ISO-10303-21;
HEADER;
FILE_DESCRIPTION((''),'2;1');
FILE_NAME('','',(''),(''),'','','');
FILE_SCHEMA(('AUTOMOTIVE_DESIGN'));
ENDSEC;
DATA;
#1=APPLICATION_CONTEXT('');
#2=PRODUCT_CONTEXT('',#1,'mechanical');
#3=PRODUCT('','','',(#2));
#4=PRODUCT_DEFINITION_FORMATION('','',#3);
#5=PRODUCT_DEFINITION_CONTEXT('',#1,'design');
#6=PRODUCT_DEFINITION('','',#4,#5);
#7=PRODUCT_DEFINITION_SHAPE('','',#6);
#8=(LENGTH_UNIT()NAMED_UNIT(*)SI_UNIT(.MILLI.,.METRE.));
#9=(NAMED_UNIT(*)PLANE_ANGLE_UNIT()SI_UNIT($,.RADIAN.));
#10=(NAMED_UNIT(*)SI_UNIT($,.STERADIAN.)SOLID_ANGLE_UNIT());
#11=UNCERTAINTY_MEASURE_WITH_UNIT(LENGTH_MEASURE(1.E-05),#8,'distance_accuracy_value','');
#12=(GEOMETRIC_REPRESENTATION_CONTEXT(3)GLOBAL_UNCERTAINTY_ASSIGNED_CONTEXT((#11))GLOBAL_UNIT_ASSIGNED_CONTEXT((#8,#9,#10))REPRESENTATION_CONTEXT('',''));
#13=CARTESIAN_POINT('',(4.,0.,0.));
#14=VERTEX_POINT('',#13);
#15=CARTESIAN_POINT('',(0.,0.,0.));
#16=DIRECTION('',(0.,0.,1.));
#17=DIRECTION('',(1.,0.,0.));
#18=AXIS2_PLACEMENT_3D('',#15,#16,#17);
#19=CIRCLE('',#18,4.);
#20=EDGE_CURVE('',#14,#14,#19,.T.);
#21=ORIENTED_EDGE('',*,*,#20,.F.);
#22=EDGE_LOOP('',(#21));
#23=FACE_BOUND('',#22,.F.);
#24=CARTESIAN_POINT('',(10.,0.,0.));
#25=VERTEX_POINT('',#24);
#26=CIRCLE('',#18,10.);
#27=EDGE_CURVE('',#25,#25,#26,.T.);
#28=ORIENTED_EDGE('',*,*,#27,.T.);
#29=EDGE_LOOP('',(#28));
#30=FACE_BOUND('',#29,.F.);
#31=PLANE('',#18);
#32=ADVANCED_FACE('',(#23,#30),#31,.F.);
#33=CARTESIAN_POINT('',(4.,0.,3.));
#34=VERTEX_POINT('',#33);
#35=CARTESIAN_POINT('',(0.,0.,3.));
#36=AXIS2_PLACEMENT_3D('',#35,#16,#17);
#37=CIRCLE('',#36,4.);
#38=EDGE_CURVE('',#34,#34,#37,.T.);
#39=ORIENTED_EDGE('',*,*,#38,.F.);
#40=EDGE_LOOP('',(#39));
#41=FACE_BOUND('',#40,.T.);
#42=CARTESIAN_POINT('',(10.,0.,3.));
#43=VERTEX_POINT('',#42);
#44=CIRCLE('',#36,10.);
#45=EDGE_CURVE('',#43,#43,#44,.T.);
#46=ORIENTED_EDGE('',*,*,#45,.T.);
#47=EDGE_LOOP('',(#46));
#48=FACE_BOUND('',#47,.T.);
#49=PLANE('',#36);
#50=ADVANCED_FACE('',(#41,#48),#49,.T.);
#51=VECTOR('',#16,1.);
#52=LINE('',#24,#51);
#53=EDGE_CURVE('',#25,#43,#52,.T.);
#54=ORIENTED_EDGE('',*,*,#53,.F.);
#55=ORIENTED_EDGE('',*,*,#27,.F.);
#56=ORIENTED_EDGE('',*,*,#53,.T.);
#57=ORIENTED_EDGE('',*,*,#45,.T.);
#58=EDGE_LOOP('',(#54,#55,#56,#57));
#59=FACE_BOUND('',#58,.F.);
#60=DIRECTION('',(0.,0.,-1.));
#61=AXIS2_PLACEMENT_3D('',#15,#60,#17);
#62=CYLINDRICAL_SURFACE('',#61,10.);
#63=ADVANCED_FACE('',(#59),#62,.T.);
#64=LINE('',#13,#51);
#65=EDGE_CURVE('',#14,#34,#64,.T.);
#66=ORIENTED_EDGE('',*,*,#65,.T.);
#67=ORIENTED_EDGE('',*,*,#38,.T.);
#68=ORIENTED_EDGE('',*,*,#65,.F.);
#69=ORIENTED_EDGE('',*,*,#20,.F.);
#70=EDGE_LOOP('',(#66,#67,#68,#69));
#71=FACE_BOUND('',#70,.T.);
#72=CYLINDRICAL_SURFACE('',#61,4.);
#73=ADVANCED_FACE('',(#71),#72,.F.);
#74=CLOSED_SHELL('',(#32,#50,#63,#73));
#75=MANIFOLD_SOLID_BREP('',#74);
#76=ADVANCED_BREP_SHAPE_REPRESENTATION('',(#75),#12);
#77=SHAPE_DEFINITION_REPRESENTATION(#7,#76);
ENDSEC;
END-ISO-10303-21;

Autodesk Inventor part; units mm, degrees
ref_plane "YZ Plane" through (0, 0, 0) normal (1, 0, 0) x (0, 1, 0)
ref_plane "XZ Plane" through (0, 0, 0) normal (0, 1, 0) x (-1, 0, 0)
ref_plane "XY Plane" through (0, 0, 0) normal (0, 0, 1) x (1, 0, 0)
sketch "Sketch1" plane through (0, 0, 0) normal (0, 0, 1) x (1, 0, 0)
  circle A0 centre (0, 0) radius 4
  circle A1 centre (0, 0) radius 10
  dimension "d0" = 8
  dimension "d1" = 20
extrude "Extrusion1" add sketch "Sketch1" along normal blind 3
properties part number "Podkładka na tłok" material "Steel"
